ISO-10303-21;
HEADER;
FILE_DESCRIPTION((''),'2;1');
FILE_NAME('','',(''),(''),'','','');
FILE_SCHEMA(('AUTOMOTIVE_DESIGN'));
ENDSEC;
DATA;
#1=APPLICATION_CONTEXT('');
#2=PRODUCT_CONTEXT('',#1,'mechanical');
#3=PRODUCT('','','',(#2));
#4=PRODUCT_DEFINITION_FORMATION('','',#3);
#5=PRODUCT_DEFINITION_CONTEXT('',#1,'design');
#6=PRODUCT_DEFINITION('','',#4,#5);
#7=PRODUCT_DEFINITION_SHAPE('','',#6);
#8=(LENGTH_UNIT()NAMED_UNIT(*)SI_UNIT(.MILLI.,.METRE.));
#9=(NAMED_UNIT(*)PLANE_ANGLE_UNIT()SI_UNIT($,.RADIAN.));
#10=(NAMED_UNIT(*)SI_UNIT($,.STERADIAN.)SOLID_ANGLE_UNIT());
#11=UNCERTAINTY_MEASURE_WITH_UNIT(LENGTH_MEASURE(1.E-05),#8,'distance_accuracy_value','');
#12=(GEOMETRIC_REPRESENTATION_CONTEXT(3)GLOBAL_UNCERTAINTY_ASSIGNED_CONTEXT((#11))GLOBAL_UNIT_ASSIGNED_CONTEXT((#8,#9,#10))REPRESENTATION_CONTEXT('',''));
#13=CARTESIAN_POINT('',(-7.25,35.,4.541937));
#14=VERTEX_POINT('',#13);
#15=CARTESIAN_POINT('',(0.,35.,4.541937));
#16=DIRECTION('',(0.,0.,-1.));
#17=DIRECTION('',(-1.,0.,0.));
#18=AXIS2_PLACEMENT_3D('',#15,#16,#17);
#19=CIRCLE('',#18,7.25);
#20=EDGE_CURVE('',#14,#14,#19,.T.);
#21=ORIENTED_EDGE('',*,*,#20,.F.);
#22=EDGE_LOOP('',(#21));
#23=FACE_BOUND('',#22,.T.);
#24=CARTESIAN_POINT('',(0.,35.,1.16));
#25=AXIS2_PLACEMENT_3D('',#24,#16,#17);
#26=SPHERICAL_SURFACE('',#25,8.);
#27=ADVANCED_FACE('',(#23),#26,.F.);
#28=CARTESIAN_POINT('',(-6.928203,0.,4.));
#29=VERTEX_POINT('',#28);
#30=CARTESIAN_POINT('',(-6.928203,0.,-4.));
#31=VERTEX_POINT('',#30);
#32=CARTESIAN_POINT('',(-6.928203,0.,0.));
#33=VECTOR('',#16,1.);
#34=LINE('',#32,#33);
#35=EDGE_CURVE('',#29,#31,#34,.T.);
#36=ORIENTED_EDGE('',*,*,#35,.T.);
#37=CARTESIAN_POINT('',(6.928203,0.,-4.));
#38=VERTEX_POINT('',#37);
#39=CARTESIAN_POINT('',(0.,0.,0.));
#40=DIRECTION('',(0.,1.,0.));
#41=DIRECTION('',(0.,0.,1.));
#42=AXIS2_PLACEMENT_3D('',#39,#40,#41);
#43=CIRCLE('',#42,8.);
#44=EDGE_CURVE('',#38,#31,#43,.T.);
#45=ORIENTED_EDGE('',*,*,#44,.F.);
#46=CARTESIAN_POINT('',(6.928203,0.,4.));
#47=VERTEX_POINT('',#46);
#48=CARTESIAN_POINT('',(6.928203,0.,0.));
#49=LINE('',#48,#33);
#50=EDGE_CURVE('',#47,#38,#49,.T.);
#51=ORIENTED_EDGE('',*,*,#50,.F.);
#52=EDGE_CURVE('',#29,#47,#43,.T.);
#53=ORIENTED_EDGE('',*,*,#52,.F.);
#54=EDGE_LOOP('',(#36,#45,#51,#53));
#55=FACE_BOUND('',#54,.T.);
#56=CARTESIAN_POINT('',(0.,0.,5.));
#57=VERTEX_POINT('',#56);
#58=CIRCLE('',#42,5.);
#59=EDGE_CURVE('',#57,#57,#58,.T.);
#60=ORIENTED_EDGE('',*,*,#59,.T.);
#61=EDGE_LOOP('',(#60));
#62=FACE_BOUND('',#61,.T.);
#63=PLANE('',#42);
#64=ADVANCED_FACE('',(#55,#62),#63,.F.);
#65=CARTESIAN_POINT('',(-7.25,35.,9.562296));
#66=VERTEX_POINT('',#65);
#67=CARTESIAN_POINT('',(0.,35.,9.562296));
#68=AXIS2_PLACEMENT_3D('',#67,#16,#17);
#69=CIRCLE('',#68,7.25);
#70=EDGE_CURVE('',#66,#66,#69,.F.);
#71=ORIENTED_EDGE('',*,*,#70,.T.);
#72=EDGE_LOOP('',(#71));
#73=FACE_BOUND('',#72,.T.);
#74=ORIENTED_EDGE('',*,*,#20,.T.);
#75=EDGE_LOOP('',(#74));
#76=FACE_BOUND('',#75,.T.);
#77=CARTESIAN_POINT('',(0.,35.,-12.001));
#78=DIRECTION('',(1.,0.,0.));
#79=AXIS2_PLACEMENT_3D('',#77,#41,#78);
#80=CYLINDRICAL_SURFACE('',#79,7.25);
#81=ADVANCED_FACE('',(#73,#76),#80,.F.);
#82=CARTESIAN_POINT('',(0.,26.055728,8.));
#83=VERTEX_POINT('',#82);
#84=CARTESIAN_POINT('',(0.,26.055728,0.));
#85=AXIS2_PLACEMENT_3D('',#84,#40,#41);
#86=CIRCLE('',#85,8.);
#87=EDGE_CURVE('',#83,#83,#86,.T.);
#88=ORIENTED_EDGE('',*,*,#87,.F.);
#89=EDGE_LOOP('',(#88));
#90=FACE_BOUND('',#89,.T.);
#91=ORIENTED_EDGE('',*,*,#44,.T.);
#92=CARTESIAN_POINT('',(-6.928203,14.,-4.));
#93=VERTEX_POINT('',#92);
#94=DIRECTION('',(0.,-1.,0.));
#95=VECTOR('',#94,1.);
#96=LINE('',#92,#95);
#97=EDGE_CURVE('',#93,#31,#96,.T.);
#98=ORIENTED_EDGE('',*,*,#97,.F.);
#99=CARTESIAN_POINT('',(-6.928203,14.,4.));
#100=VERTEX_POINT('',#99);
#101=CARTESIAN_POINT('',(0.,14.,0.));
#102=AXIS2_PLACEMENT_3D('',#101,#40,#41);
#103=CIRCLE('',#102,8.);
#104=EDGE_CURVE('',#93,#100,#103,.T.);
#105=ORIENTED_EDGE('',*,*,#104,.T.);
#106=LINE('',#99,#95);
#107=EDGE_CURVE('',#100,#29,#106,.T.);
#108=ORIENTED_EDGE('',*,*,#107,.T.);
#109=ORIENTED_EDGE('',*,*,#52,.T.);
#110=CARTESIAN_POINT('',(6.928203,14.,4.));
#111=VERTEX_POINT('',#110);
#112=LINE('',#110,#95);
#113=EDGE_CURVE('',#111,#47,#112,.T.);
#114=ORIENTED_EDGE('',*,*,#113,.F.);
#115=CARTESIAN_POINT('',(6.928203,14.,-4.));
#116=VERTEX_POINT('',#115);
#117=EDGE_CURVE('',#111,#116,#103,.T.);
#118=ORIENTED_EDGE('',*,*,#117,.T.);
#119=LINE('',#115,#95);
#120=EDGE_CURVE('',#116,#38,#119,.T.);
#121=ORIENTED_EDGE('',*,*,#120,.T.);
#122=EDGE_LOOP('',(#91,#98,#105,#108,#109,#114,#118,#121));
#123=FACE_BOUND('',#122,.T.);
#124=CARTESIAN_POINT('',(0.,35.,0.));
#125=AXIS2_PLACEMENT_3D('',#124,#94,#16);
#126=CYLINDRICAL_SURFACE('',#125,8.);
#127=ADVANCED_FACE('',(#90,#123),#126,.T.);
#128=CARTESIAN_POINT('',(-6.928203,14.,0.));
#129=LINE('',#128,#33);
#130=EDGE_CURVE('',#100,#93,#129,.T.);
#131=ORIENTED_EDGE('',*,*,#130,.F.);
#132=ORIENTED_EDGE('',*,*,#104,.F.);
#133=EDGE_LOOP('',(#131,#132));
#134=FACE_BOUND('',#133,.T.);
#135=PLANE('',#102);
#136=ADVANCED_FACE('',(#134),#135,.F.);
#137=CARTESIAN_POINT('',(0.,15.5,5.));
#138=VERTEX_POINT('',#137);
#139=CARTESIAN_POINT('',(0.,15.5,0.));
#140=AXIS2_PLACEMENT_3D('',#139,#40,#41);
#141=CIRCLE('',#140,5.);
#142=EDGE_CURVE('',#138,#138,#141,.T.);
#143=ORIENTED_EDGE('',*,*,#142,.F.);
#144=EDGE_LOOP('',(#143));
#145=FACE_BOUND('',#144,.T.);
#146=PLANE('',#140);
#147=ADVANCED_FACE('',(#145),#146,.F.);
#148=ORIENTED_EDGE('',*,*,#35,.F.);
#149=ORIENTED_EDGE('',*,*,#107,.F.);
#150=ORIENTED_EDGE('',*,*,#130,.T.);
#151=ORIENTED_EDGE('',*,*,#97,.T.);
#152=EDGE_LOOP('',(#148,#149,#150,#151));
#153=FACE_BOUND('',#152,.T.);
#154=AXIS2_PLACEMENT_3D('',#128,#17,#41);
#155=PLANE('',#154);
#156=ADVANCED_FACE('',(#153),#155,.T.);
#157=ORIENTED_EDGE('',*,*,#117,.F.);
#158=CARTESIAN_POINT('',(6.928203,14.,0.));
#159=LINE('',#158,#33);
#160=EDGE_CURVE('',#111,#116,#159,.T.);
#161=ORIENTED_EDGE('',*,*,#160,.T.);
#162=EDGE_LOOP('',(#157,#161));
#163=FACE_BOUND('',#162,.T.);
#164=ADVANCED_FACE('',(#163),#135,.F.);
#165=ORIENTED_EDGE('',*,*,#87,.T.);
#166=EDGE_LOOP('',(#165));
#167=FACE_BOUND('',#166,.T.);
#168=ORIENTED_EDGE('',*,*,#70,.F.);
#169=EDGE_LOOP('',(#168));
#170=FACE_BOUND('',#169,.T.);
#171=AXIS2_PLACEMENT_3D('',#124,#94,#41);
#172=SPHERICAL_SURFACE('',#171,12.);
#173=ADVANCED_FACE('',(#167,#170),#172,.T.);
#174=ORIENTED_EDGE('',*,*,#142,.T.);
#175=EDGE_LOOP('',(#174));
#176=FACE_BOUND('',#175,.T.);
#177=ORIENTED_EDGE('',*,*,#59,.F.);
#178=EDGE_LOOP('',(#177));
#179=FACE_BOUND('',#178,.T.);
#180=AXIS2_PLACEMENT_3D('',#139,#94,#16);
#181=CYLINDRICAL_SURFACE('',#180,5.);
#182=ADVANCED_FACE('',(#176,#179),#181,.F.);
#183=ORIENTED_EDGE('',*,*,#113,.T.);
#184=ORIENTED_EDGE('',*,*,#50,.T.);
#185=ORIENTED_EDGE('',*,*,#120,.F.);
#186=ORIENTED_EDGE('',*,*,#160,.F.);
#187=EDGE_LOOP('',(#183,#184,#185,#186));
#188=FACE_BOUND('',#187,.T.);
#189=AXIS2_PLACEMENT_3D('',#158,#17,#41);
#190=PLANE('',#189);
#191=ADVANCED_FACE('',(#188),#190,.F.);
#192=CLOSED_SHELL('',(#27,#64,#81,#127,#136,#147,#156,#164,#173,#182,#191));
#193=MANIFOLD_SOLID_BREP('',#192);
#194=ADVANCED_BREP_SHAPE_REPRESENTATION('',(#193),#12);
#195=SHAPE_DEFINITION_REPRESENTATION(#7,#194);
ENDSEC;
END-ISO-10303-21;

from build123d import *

# Parameters (mm, degrees)
SKETCH1_R           = 8
BOSS_EXTRUDE1_DEPTH = 35
CUT_EXTRUDE1_DEPTH  = 14
SKETCH1_4_R         = 5
CUT_EXTRUDE2_DEPTH  = 15.5
CUT_EXTRUDE3_REACH  = 26
SKETCH5_R           = 7.25


with BuildPart() as part:
    # Sketch1 → Boss-Extrude1 (new body)
    with BuildSketch(Plane(origin=(0, 0, 0), x_dir=(1, 0, 0), z_dir=(0, 1, 0))):
        Circle(SKETCH1_R)
    extrude(amount=BOSS_EXTRUDE1_DEPTH)

    # Sketch1_3 → Cut-Extrude1 (cut)
    with BuildSketch(Plane(origin=(0, 0, 0), x_dir=(1, 0, 0), z_dir=(0, 1, 0))):
        with BuildLine():
            Line((6.92820323, 4), (6.92820323, -4))
            ThreePointArc((6.92820323, -4), (7.72740661, -2.070552361), (8, 0))
            ThreePointArc((8, 0), (7.72740661, 2.070552361), (6.92820323, 4))
        make_face()
        with BuildLine():
            ThreePointArc((-6.92820323, 4), (-8, 0), (-6.92820323, -4))
            Line((-6.92820323, -4), (-6.92820323, 4))
        make_face()
    extrude(amount=CUT_EXTRUDE1_DEPTH, mode=Mode.SUBTRACT)

    # Sketch1_4 → Cut-Extrude2 (cut)
    with BuildSketch(Plane(origin=(0, 0, 0), x_dir=(1, 0, 0), z_dir=(0, 1, 0))):
        Circle(SKETCH1_4_R)
    extrude(amount=CUT_EXTRUDE2_DEPTH, mode=Mode.SUBTRACT)

    # Sketch2 one side → Revolve13 (revolve)
    with BuildSketch(Plane(origin=(0, 0, 0), x_dir=(0, 0, -1), z_dir=(1, 0, 0))):
        with BuildLine():
            Line((0, 23), (0, 47))
            ThreePointArc((0, 47), (-12, 35), (0, 23))
        make_face()
    revolve(axis=Axis((0, 35, 0), (0, 1, 0)))

    # Sketch4 one side → Cut-Revolve2 (revolve, cut)
    with BuildSketch(Plane(origin=(0, 0, 0), x_dir=(0, 0, -1), z_dir=(1, 0, 0))):
        with BuildLine():
            ThreePointArc((6.84, 35), (4.496854249, 40.656854249), (-1.16, 43))
            Line((-1.16, 43), (-1.16, 27))
            ThreePointArc((-1.16, 27), (4.496854249, 29.343145751), (6.84, 35))
        make_face()
    revolve(axis=Axis((0, 27, 1.16), (0, -1, 0)), mode=Mode.SUBTRACT)

    # Sketch5 → Cut-Extrude3 (cut, up to next)
    with BuildSketch(Plane.XY.offset(12), mode=Mode.PRIVATE) as cut_extrude3_sk1:
        with Locations((0, 35)):
            Circle(SKETCH5_R)
    cut_extrude3_tool1 = extrude(cut_extrude3_sk1.sketch, amount=-CUT_EXTRUDE3_REACH, mode=Mode.PRIVATE) & part.part
    add(cut_extrude3_tool1.solids().sort_by_distance((0, 35, 12))[0], mode=Mode.SUBTRACT)


solid = part.part
